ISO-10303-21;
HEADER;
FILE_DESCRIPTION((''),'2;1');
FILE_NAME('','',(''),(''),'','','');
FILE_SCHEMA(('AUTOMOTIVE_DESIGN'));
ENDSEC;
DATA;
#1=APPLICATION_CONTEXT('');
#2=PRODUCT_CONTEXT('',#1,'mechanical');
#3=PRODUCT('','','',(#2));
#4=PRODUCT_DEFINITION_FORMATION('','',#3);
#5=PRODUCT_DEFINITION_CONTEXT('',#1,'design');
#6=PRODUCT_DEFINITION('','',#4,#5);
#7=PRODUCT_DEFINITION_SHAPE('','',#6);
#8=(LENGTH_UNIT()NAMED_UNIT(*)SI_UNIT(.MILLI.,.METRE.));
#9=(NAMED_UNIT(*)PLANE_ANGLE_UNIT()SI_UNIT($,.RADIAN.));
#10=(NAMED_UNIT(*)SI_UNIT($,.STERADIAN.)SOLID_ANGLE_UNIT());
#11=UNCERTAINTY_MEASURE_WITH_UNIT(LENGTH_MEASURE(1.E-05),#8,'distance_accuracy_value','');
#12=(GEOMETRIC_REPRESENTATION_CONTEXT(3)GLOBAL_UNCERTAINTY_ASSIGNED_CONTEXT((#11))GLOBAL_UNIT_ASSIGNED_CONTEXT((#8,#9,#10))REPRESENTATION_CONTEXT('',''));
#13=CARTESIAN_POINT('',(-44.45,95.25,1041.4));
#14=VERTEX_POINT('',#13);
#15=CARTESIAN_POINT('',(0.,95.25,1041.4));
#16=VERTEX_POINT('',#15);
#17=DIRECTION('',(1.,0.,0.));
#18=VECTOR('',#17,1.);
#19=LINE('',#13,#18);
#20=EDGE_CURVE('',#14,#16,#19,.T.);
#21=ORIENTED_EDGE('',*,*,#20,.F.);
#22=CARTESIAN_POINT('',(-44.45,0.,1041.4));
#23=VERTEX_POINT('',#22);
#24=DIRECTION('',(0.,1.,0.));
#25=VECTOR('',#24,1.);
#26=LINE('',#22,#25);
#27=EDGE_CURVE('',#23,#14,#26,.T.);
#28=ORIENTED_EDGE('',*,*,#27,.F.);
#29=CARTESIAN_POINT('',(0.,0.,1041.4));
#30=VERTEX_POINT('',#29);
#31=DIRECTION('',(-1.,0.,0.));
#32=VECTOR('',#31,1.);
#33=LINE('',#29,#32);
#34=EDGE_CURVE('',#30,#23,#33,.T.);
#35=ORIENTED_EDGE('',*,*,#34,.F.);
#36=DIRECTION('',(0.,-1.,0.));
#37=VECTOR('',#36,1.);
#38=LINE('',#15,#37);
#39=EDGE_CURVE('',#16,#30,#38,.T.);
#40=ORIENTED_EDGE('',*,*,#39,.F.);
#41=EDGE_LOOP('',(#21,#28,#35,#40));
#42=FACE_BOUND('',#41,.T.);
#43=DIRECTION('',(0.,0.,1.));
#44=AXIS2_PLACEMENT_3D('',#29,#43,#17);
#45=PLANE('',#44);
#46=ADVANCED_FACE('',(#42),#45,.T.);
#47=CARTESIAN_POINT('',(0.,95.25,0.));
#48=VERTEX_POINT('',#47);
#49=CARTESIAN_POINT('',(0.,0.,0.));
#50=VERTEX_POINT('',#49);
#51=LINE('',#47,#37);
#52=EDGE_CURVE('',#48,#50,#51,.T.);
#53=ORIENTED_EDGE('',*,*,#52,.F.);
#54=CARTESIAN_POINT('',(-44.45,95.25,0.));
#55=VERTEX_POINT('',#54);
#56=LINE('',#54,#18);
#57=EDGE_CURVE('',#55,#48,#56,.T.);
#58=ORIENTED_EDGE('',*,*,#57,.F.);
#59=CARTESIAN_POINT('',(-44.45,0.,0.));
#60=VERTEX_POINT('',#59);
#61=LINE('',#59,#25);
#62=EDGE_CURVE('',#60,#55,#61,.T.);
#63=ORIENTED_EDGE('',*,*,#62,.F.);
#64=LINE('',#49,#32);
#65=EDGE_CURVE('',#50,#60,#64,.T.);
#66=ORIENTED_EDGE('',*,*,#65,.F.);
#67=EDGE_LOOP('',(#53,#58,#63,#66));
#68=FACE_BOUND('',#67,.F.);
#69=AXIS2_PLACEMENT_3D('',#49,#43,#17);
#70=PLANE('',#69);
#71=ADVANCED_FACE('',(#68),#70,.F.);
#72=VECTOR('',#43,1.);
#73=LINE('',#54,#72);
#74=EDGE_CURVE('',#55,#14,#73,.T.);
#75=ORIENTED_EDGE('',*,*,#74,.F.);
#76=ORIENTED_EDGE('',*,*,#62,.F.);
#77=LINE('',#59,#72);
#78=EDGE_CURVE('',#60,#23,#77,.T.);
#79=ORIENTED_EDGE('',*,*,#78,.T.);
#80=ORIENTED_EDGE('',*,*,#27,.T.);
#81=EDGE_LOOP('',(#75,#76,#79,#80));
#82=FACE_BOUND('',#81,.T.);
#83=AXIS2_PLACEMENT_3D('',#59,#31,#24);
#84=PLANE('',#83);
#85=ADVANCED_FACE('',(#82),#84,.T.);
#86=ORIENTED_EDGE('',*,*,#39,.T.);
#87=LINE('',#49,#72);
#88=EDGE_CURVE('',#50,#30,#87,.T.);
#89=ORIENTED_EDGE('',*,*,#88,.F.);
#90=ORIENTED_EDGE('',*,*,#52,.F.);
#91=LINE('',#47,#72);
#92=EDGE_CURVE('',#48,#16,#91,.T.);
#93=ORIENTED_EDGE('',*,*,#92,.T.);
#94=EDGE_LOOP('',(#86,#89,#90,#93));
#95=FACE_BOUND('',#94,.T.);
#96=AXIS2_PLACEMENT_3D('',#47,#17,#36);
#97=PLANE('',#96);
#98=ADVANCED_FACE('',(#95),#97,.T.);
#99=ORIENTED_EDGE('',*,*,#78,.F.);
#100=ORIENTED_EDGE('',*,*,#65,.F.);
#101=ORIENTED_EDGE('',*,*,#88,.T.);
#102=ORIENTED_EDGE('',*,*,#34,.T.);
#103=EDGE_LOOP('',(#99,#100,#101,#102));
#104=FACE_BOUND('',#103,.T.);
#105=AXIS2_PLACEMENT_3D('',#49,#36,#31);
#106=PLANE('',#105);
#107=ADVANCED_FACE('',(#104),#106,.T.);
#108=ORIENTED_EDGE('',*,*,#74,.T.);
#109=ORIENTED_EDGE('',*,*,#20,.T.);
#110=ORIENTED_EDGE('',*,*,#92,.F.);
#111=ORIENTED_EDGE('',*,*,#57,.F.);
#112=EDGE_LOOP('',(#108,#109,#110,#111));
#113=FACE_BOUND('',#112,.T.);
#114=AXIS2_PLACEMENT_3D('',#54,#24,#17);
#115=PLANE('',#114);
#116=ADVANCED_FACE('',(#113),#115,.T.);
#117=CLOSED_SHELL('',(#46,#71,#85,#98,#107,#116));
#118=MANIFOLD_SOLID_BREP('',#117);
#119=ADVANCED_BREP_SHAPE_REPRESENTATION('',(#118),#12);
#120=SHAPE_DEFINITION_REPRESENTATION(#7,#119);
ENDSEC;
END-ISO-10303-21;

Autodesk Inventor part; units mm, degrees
ref_plane "YZ Plane" through (0, 0, 0) normal (1, 0, 0) x (0, 1, 0)
ref_plane "XZ Plane" through (0, 0, 0) normal (0, 1, 0) x (-1, 0, 0)
ref_plane "XY Plane" through (0, 0, 0) normal (0, 0, 1) x (1, 0, 0)
sketch "Sketch1" plane through (0, 0, 0) normal (0, 0, 1) x (1, 0, 0)
  line L0 (0, 0) -> (-44.45, 0)
  line L1 (-44.45, 0) -> (-44.45, 95.25)
  line L2 (-44.45, 95.25) -> (0, 95.25)
  line L3 (0, 95.25) -> (0, 0)
  dimension "d0" = 44.45
  dimension "d1" = 95.25
extrude "Extrusion1" add sketch "Sketch1" along normal blind 1041.4
properties part number "2x4x41"
